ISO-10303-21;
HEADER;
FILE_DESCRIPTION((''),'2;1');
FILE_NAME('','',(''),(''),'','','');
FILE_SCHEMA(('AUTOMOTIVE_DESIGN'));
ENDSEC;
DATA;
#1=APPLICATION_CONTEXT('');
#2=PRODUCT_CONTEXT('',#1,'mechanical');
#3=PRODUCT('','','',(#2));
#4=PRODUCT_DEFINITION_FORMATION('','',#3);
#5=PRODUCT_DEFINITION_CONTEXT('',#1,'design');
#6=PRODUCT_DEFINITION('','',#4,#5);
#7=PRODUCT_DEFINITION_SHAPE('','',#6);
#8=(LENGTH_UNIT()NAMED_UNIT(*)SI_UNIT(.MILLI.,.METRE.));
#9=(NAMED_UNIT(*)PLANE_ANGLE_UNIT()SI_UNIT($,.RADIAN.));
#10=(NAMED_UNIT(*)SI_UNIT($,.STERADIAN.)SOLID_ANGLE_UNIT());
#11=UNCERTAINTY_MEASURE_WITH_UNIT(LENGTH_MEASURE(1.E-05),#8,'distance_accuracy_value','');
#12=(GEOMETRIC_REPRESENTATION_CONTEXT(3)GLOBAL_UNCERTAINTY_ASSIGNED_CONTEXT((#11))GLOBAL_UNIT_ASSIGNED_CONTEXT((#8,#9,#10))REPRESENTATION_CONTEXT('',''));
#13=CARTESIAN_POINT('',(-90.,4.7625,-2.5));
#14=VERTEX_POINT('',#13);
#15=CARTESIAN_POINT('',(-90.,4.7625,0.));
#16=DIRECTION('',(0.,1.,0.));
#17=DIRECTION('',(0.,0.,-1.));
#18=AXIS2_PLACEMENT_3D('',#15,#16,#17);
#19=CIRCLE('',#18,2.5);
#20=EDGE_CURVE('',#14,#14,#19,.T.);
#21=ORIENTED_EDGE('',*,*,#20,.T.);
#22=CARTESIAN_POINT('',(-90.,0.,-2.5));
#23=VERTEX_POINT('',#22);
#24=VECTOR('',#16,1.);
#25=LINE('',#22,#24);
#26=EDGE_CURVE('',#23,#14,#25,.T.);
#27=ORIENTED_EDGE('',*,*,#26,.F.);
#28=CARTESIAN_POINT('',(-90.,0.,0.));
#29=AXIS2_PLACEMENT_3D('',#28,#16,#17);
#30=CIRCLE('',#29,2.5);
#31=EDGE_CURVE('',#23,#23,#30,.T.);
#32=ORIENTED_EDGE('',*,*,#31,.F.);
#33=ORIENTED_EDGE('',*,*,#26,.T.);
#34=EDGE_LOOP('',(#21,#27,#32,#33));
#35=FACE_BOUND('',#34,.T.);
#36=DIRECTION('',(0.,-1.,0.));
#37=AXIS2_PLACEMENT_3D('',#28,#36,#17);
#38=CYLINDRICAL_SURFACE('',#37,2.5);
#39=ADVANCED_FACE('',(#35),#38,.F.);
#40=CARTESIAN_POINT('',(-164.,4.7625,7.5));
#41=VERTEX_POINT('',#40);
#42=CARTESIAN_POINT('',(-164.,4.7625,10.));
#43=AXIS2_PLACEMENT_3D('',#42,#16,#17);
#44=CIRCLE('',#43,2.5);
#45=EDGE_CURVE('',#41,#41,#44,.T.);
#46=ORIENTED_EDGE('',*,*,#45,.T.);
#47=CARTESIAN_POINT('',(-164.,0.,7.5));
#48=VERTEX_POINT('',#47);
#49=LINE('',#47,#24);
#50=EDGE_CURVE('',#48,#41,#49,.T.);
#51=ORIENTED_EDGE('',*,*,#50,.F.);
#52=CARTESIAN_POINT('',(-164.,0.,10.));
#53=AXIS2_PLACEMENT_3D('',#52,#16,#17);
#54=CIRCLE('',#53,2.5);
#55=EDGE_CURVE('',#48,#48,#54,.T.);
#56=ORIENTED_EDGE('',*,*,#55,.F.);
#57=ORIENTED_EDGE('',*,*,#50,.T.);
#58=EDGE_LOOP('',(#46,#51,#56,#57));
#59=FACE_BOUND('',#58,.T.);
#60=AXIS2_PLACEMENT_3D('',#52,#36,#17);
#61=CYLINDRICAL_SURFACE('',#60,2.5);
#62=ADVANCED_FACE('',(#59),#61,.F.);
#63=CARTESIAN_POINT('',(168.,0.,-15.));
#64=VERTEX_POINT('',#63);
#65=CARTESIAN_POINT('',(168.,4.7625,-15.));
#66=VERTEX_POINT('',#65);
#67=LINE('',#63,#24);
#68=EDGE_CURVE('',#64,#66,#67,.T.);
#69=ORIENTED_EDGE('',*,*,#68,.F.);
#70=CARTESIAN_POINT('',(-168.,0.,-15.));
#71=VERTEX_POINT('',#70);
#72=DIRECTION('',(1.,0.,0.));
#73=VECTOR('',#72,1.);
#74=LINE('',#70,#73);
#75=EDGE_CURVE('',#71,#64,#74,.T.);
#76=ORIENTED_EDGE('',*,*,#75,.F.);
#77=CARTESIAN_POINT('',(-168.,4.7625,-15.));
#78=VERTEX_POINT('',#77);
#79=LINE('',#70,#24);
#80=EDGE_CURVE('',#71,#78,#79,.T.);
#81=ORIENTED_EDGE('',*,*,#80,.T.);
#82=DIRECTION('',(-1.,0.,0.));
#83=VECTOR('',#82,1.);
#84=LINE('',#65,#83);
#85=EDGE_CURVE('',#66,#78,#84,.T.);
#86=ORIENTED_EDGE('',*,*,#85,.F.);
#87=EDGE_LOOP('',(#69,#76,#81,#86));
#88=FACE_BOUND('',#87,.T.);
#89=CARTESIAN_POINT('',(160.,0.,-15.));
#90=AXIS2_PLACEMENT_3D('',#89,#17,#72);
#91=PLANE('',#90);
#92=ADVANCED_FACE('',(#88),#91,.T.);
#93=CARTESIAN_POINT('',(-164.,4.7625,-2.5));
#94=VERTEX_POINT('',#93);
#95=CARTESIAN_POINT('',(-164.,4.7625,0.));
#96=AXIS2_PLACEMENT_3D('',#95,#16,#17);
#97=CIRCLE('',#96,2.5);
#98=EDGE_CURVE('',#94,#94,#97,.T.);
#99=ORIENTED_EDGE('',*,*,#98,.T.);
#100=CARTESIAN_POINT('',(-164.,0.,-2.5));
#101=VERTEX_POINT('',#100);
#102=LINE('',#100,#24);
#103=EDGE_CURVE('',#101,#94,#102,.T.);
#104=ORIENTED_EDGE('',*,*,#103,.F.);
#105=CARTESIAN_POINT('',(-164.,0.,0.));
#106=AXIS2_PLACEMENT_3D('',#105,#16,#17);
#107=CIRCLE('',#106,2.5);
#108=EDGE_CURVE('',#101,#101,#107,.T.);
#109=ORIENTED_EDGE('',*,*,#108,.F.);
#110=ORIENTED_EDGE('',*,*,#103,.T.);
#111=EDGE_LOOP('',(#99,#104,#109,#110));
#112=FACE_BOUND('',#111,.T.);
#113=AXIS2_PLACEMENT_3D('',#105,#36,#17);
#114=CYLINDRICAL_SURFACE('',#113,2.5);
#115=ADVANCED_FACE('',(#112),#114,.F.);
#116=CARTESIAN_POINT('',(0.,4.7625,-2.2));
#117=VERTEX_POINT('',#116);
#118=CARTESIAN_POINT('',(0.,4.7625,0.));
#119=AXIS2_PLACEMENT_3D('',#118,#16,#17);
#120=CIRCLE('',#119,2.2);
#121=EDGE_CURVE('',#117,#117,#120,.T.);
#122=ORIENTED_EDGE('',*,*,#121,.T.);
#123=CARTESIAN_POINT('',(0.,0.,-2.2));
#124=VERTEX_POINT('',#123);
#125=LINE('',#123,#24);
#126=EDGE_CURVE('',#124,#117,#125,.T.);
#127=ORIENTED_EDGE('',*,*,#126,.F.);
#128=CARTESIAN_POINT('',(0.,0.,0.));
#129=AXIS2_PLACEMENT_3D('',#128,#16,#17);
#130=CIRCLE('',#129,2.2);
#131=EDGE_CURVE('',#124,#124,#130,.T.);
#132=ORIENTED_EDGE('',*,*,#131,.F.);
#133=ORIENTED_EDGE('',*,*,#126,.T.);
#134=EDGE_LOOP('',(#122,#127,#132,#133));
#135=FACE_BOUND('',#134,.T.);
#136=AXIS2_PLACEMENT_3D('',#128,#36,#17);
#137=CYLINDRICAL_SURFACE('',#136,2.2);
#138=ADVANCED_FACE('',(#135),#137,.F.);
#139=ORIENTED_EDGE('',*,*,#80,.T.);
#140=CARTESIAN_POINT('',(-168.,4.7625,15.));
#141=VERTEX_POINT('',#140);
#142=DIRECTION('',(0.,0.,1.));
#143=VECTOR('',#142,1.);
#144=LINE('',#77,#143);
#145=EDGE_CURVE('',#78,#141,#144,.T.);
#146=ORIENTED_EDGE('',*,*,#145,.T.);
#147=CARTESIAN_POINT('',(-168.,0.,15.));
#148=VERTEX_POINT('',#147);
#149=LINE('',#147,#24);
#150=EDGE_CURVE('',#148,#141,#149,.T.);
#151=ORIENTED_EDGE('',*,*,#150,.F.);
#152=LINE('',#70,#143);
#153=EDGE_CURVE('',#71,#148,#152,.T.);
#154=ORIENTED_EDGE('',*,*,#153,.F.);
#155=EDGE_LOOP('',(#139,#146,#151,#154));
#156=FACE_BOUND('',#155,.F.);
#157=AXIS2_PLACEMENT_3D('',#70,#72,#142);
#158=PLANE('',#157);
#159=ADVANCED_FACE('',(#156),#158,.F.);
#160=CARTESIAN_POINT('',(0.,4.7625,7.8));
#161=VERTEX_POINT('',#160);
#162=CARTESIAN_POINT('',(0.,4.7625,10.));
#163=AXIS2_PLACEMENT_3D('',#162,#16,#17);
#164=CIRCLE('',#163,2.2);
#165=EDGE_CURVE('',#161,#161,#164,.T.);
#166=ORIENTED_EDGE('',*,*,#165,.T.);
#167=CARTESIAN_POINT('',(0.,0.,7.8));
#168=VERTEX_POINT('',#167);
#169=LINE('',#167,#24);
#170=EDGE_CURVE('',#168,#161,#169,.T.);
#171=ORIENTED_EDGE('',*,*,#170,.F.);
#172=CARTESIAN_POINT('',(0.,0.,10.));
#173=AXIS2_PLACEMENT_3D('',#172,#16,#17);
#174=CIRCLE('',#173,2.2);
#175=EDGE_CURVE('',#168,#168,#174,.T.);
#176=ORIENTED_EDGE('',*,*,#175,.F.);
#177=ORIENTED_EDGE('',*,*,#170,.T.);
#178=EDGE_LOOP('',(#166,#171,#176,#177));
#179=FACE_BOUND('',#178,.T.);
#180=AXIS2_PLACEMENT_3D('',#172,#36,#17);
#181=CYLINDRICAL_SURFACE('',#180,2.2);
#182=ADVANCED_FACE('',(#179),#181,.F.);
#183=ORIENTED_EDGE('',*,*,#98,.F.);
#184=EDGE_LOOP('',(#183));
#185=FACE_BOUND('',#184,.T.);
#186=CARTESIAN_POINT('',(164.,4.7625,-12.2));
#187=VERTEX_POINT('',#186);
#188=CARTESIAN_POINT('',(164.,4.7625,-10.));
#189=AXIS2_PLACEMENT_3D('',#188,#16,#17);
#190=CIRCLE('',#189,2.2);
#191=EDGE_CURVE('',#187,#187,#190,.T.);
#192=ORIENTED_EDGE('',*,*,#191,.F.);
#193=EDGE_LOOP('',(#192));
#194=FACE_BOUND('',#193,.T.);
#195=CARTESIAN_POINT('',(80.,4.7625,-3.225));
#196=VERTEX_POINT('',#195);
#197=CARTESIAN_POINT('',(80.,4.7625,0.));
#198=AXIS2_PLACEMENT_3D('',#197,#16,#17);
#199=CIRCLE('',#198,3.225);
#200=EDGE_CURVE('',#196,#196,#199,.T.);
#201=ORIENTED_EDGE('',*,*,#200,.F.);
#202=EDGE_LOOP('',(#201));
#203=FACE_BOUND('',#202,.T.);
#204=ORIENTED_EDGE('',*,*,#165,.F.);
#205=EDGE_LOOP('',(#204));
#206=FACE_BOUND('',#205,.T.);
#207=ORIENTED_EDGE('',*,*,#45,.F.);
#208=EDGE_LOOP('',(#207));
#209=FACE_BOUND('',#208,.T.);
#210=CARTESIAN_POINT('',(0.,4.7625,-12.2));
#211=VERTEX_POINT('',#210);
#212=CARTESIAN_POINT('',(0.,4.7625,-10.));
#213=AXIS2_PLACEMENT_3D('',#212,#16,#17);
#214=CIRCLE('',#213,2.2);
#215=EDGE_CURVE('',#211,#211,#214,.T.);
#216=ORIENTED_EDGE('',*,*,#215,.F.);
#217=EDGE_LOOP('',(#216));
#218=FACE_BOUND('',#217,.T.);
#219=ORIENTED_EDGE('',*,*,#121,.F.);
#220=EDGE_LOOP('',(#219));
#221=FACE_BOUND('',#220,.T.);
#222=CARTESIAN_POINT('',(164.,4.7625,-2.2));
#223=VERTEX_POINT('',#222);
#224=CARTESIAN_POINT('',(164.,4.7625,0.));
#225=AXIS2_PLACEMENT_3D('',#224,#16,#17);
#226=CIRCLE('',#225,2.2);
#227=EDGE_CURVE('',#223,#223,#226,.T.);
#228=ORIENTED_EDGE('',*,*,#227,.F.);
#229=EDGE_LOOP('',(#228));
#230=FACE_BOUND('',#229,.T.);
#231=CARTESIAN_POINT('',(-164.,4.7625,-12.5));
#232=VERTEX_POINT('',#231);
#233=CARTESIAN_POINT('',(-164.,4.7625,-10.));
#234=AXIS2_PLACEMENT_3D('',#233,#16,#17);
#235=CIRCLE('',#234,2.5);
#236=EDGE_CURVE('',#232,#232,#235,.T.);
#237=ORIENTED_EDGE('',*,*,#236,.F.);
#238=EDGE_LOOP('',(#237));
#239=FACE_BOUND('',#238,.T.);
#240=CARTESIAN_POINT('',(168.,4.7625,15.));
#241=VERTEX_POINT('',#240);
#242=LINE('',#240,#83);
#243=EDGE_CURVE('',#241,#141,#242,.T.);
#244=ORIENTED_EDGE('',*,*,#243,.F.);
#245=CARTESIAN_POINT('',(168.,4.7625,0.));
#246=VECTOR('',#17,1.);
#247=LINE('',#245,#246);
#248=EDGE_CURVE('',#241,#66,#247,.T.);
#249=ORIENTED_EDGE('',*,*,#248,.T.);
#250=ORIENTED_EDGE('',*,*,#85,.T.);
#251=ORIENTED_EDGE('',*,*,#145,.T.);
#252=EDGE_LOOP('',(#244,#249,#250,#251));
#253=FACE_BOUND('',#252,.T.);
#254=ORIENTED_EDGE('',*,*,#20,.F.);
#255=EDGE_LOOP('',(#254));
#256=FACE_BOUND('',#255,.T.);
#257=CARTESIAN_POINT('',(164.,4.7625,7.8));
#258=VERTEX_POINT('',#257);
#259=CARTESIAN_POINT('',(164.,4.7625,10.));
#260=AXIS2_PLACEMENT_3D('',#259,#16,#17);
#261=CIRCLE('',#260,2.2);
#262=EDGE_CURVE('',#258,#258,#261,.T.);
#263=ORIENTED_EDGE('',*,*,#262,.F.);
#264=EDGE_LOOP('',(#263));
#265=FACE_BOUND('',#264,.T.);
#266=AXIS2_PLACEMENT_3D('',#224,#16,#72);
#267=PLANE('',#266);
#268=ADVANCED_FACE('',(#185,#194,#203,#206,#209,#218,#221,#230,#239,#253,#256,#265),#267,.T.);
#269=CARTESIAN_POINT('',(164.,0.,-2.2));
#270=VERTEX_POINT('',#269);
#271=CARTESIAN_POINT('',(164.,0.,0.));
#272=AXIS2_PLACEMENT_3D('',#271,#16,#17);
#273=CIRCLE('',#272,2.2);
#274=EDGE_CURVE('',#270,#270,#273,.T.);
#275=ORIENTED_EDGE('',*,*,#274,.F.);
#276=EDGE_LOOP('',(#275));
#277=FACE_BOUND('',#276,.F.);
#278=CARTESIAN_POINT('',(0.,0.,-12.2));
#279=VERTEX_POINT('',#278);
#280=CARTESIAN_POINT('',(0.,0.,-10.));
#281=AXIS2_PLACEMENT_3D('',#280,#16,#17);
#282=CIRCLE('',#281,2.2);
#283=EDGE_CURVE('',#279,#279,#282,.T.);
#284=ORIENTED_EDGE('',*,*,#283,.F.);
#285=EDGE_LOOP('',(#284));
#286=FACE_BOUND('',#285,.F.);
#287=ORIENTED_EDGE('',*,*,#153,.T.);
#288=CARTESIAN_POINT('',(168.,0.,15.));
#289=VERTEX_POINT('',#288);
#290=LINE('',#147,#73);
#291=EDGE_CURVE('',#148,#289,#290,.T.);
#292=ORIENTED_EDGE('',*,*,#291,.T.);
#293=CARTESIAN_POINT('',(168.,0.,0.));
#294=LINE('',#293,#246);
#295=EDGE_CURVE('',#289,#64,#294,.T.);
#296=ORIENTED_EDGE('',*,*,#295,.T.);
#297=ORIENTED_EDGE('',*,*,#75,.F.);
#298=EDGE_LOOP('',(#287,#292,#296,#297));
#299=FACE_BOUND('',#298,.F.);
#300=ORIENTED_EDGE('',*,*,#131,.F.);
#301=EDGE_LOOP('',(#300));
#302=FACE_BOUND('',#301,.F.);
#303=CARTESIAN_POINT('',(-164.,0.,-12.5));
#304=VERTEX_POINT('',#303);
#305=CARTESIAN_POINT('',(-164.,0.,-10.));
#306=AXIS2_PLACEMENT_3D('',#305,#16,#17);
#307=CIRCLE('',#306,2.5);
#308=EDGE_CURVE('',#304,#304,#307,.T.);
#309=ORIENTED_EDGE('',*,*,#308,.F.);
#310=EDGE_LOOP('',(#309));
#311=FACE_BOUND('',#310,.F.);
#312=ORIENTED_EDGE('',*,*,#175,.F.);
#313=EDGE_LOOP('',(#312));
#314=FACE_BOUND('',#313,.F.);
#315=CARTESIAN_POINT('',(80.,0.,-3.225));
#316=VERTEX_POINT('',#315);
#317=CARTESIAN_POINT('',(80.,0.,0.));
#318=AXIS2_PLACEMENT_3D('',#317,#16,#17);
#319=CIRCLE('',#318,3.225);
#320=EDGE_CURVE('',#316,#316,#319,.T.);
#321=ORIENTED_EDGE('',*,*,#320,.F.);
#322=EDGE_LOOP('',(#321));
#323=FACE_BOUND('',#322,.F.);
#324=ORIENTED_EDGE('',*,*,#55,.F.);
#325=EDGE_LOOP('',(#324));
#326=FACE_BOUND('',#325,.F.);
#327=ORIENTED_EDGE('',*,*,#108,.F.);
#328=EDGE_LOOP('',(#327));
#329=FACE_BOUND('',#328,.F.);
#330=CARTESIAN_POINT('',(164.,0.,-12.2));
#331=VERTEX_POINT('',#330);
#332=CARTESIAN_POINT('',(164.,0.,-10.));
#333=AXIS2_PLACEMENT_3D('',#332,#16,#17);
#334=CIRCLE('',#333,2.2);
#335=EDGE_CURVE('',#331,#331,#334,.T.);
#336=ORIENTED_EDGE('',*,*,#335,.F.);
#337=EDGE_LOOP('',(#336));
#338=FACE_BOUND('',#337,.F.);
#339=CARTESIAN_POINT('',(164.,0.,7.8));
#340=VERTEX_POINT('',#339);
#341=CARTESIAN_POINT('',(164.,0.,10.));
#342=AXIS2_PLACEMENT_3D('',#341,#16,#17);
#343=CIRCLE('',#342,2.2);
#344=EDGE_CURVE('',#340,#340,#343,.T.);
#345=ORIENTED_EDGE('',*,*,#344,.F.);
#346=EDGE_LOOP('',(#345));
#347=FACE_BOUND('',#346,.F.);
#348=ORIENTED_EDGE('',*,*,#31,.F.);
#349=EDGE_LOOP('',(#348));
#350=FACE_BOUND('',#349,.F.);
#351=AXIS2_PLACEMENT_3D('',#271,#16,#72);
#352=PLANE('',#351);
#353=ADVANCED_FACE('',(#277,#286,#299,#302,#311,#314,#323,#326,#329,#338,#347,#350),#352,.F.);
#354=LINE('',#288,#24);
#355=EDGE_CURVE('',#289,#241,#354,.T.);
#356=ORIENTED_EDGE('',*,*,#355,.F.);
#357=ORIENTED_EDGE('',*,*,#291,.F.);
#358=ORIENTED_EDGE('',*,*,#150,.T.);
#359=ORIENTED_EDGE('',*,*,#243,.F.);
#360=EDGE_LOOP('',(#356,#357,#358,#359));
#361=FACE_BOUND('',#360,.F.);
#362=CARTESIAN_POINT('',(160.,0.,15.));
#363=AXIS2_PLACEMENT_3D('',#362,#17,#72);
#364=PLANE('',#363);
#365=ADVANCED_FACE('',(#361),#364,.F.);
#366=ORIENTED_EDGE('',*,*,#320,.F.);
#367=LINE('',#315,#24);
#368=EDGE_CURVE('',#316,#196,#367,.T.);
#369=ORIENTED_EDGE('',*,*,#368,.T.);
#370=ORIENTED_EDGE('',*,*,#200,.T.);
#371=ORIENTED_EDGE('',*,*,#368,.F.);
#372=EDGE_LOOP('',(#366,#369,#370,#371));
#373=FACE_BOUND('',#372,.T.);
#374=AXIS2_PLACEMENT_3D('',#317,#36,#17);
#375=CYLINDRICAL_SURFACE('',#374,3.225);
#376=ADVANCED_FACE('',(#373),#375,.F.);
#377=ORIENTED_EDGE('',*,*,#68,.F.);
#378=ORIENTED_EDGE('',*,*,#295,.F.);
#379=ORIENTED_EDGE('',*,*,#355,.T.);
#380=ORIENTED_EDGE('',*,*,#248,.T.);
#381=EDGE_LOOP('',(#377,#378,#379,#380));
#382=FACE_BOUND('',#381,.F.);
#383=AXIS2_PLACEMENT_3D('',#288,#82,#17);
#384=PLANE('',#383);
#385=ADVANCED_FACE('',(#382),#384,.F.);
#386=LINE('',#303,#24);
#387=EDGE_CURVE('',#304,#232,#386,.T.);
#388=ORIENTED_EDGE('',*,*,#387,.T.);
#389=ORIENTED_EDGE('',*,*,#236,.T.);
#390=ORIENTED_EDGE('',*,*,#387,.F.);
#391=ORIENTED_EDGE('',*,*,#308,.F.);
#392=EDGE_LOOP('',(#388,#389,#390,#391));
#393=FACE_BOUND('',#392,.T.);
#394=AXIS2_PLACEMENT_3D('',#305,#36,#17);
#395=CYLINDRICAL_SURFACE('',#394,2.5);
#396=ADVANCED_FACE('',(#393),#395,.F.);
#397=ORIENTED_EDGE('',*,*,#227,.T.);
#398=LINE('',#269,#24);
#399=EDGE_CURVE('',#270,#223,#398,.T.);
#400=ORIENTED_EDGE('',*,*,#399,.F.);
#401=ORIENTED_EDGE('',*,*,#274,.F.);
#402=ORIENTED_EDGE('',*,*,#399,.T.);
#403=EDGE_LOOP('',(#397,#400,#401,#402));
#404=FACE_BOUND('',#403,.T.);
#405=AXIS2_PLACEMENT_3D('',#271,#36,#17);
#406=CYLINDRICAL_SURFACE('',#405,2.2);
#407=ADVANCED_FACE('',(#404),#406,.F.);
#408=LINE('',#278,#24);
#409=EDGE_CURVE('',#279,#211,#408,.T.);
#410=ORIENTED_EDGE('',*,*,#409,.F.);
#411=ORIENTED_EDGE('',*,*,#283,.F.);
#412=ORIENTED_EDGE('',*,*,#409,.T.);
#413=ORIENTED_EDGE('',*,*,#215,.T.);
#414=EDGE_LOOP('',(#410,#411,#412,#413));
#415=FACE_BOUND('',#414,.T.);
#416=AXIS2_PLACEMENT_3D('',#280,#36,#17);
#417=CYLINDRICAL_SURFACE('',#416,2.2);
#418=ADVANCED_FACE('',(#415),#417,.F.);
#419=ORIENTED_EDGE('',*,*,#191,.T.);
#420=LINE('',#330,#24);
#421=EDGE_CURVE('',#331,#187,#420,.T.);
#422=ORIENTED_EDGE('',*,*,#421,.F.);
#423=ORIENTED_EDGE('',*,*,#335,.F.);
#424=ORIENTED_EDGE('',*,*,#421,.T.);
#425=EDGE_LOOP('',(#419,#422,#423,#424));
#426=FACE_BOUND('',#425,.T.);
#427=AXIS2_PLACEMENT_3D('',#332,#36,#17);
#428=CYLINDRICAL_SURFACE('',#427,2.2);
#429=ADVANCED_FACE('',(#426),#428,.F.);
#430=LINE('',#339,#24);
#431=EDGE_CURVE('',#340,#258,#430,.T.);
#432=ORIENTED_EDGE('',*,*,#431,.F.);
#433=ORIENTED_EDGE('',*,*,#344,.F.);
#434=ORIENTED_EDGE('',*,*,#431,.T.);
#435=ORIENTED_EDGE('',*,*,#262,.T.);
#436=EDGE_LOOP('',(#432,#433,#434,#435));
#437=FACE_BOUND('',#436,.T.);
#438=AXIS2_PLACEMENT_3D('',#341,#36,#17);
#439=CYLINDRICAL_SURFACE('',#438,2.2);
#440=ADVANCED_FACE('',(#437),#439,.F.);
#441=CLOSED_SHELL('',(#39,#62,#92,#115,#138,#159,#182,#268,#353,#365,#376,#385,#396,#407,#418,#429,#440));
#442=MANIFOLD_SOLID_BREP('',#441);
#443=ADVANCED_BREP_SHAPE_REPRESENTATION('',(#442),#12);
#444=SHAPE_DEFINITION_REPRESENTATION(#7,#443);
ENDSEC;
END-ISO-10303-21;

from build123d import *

# Parameters (mm, degrees)
ESBO_O1_R                = 2.5
ESBO_O1_R_2              = 2.2
ESBO_O1_R_3              = 3.225
ESBO_O1_W                = 8
ESBO_O1_H                = 30
RESSALTO_EXTRUS_O1_DEPTH = 4.7625


with BuildPart() as part:
    # Esboço1 → Ressalto-extrusão1 (new body)
    # profile 1 of 2: a face of its own
    with BuildSketch(Plane(origin=(0, 0, 0), x_dir=(1, 0, 0), z_dir=(0, 1, 0))):
        Polygon((-160, -15), (160, -15), (160, 15), (-160, 15), (-168, 15), (-168, -15), align=None)
        with Locations(Location((-164, -10, 0), (0, 0, 90))):
            Circle(ESBO_O1_R, mode=Mode.SUBTRACT)
        with Locations(Location((0, -10, 0), (0, 0, 90))):
            Circle(ESBO_O1_R_2, mode=Mode.SUBTRACT)
        with Locations(Location((-164, 0, 0), (0, 0, 90))):
            Circle(ESBO_O1_R, mode=Mode.SUBTRACT)
        with Locations(Location((-90, 0, 0), (0, 0, 90))):
            Circle(ESBO_O1_R, mode=Mode.SUBTRACT)
        with Locations(Location((-164, 10, 0), (0, 0, 90))):
            Circle(ESBO_O1_R, mode=Mode.SUBTRACT)
        with Locations(Location((0, 0, 0), (0, 0, 90))):
            Circle(ESBO_O1_R_2, mode=Mode.SUBTRACT)
        with Locations(Location((80, 0, 0), (0, 0, 90))):
            Circle(ESBO_O1_R_3, mode=Mode.SUBTRACT)
        with Locations(Location((0, 10, 0), (0, 0, 90))):
            Circle(ESBO_O1_R_2, mode=Mode.SUBTRACT)
    # profile 2 of 2: a face of its own
    with BuildSketch(Plane(origin=(0, 0, 0), x_dir=(1, 0, 0), z_dir=(0, 1, 0))):
        with Locations((164, 0)):
            Rectangle(ESBO_O1_W, ESBO_O1_H)
        with Locations(Location((164, -10, 0), (0, 0, 90))):
            Circle(ESBO_O1_R_2, mode=Mode.SUBTRACT)
        with Locations(Location((164, 0, 0), (0, 0, 90))):
            Circle(ESBO_O1_R_2, mode=Mode.SUBTRACT)
        with Locations(Location((164, 10, 0), (0, 0, 90))):
            Circle(ESBO_O1_R_2, mode=Mode.SUBTRACT)
    extrude(amount=RESSALTO_EXTRUS_O1_DEPTH)


solid = part.part
